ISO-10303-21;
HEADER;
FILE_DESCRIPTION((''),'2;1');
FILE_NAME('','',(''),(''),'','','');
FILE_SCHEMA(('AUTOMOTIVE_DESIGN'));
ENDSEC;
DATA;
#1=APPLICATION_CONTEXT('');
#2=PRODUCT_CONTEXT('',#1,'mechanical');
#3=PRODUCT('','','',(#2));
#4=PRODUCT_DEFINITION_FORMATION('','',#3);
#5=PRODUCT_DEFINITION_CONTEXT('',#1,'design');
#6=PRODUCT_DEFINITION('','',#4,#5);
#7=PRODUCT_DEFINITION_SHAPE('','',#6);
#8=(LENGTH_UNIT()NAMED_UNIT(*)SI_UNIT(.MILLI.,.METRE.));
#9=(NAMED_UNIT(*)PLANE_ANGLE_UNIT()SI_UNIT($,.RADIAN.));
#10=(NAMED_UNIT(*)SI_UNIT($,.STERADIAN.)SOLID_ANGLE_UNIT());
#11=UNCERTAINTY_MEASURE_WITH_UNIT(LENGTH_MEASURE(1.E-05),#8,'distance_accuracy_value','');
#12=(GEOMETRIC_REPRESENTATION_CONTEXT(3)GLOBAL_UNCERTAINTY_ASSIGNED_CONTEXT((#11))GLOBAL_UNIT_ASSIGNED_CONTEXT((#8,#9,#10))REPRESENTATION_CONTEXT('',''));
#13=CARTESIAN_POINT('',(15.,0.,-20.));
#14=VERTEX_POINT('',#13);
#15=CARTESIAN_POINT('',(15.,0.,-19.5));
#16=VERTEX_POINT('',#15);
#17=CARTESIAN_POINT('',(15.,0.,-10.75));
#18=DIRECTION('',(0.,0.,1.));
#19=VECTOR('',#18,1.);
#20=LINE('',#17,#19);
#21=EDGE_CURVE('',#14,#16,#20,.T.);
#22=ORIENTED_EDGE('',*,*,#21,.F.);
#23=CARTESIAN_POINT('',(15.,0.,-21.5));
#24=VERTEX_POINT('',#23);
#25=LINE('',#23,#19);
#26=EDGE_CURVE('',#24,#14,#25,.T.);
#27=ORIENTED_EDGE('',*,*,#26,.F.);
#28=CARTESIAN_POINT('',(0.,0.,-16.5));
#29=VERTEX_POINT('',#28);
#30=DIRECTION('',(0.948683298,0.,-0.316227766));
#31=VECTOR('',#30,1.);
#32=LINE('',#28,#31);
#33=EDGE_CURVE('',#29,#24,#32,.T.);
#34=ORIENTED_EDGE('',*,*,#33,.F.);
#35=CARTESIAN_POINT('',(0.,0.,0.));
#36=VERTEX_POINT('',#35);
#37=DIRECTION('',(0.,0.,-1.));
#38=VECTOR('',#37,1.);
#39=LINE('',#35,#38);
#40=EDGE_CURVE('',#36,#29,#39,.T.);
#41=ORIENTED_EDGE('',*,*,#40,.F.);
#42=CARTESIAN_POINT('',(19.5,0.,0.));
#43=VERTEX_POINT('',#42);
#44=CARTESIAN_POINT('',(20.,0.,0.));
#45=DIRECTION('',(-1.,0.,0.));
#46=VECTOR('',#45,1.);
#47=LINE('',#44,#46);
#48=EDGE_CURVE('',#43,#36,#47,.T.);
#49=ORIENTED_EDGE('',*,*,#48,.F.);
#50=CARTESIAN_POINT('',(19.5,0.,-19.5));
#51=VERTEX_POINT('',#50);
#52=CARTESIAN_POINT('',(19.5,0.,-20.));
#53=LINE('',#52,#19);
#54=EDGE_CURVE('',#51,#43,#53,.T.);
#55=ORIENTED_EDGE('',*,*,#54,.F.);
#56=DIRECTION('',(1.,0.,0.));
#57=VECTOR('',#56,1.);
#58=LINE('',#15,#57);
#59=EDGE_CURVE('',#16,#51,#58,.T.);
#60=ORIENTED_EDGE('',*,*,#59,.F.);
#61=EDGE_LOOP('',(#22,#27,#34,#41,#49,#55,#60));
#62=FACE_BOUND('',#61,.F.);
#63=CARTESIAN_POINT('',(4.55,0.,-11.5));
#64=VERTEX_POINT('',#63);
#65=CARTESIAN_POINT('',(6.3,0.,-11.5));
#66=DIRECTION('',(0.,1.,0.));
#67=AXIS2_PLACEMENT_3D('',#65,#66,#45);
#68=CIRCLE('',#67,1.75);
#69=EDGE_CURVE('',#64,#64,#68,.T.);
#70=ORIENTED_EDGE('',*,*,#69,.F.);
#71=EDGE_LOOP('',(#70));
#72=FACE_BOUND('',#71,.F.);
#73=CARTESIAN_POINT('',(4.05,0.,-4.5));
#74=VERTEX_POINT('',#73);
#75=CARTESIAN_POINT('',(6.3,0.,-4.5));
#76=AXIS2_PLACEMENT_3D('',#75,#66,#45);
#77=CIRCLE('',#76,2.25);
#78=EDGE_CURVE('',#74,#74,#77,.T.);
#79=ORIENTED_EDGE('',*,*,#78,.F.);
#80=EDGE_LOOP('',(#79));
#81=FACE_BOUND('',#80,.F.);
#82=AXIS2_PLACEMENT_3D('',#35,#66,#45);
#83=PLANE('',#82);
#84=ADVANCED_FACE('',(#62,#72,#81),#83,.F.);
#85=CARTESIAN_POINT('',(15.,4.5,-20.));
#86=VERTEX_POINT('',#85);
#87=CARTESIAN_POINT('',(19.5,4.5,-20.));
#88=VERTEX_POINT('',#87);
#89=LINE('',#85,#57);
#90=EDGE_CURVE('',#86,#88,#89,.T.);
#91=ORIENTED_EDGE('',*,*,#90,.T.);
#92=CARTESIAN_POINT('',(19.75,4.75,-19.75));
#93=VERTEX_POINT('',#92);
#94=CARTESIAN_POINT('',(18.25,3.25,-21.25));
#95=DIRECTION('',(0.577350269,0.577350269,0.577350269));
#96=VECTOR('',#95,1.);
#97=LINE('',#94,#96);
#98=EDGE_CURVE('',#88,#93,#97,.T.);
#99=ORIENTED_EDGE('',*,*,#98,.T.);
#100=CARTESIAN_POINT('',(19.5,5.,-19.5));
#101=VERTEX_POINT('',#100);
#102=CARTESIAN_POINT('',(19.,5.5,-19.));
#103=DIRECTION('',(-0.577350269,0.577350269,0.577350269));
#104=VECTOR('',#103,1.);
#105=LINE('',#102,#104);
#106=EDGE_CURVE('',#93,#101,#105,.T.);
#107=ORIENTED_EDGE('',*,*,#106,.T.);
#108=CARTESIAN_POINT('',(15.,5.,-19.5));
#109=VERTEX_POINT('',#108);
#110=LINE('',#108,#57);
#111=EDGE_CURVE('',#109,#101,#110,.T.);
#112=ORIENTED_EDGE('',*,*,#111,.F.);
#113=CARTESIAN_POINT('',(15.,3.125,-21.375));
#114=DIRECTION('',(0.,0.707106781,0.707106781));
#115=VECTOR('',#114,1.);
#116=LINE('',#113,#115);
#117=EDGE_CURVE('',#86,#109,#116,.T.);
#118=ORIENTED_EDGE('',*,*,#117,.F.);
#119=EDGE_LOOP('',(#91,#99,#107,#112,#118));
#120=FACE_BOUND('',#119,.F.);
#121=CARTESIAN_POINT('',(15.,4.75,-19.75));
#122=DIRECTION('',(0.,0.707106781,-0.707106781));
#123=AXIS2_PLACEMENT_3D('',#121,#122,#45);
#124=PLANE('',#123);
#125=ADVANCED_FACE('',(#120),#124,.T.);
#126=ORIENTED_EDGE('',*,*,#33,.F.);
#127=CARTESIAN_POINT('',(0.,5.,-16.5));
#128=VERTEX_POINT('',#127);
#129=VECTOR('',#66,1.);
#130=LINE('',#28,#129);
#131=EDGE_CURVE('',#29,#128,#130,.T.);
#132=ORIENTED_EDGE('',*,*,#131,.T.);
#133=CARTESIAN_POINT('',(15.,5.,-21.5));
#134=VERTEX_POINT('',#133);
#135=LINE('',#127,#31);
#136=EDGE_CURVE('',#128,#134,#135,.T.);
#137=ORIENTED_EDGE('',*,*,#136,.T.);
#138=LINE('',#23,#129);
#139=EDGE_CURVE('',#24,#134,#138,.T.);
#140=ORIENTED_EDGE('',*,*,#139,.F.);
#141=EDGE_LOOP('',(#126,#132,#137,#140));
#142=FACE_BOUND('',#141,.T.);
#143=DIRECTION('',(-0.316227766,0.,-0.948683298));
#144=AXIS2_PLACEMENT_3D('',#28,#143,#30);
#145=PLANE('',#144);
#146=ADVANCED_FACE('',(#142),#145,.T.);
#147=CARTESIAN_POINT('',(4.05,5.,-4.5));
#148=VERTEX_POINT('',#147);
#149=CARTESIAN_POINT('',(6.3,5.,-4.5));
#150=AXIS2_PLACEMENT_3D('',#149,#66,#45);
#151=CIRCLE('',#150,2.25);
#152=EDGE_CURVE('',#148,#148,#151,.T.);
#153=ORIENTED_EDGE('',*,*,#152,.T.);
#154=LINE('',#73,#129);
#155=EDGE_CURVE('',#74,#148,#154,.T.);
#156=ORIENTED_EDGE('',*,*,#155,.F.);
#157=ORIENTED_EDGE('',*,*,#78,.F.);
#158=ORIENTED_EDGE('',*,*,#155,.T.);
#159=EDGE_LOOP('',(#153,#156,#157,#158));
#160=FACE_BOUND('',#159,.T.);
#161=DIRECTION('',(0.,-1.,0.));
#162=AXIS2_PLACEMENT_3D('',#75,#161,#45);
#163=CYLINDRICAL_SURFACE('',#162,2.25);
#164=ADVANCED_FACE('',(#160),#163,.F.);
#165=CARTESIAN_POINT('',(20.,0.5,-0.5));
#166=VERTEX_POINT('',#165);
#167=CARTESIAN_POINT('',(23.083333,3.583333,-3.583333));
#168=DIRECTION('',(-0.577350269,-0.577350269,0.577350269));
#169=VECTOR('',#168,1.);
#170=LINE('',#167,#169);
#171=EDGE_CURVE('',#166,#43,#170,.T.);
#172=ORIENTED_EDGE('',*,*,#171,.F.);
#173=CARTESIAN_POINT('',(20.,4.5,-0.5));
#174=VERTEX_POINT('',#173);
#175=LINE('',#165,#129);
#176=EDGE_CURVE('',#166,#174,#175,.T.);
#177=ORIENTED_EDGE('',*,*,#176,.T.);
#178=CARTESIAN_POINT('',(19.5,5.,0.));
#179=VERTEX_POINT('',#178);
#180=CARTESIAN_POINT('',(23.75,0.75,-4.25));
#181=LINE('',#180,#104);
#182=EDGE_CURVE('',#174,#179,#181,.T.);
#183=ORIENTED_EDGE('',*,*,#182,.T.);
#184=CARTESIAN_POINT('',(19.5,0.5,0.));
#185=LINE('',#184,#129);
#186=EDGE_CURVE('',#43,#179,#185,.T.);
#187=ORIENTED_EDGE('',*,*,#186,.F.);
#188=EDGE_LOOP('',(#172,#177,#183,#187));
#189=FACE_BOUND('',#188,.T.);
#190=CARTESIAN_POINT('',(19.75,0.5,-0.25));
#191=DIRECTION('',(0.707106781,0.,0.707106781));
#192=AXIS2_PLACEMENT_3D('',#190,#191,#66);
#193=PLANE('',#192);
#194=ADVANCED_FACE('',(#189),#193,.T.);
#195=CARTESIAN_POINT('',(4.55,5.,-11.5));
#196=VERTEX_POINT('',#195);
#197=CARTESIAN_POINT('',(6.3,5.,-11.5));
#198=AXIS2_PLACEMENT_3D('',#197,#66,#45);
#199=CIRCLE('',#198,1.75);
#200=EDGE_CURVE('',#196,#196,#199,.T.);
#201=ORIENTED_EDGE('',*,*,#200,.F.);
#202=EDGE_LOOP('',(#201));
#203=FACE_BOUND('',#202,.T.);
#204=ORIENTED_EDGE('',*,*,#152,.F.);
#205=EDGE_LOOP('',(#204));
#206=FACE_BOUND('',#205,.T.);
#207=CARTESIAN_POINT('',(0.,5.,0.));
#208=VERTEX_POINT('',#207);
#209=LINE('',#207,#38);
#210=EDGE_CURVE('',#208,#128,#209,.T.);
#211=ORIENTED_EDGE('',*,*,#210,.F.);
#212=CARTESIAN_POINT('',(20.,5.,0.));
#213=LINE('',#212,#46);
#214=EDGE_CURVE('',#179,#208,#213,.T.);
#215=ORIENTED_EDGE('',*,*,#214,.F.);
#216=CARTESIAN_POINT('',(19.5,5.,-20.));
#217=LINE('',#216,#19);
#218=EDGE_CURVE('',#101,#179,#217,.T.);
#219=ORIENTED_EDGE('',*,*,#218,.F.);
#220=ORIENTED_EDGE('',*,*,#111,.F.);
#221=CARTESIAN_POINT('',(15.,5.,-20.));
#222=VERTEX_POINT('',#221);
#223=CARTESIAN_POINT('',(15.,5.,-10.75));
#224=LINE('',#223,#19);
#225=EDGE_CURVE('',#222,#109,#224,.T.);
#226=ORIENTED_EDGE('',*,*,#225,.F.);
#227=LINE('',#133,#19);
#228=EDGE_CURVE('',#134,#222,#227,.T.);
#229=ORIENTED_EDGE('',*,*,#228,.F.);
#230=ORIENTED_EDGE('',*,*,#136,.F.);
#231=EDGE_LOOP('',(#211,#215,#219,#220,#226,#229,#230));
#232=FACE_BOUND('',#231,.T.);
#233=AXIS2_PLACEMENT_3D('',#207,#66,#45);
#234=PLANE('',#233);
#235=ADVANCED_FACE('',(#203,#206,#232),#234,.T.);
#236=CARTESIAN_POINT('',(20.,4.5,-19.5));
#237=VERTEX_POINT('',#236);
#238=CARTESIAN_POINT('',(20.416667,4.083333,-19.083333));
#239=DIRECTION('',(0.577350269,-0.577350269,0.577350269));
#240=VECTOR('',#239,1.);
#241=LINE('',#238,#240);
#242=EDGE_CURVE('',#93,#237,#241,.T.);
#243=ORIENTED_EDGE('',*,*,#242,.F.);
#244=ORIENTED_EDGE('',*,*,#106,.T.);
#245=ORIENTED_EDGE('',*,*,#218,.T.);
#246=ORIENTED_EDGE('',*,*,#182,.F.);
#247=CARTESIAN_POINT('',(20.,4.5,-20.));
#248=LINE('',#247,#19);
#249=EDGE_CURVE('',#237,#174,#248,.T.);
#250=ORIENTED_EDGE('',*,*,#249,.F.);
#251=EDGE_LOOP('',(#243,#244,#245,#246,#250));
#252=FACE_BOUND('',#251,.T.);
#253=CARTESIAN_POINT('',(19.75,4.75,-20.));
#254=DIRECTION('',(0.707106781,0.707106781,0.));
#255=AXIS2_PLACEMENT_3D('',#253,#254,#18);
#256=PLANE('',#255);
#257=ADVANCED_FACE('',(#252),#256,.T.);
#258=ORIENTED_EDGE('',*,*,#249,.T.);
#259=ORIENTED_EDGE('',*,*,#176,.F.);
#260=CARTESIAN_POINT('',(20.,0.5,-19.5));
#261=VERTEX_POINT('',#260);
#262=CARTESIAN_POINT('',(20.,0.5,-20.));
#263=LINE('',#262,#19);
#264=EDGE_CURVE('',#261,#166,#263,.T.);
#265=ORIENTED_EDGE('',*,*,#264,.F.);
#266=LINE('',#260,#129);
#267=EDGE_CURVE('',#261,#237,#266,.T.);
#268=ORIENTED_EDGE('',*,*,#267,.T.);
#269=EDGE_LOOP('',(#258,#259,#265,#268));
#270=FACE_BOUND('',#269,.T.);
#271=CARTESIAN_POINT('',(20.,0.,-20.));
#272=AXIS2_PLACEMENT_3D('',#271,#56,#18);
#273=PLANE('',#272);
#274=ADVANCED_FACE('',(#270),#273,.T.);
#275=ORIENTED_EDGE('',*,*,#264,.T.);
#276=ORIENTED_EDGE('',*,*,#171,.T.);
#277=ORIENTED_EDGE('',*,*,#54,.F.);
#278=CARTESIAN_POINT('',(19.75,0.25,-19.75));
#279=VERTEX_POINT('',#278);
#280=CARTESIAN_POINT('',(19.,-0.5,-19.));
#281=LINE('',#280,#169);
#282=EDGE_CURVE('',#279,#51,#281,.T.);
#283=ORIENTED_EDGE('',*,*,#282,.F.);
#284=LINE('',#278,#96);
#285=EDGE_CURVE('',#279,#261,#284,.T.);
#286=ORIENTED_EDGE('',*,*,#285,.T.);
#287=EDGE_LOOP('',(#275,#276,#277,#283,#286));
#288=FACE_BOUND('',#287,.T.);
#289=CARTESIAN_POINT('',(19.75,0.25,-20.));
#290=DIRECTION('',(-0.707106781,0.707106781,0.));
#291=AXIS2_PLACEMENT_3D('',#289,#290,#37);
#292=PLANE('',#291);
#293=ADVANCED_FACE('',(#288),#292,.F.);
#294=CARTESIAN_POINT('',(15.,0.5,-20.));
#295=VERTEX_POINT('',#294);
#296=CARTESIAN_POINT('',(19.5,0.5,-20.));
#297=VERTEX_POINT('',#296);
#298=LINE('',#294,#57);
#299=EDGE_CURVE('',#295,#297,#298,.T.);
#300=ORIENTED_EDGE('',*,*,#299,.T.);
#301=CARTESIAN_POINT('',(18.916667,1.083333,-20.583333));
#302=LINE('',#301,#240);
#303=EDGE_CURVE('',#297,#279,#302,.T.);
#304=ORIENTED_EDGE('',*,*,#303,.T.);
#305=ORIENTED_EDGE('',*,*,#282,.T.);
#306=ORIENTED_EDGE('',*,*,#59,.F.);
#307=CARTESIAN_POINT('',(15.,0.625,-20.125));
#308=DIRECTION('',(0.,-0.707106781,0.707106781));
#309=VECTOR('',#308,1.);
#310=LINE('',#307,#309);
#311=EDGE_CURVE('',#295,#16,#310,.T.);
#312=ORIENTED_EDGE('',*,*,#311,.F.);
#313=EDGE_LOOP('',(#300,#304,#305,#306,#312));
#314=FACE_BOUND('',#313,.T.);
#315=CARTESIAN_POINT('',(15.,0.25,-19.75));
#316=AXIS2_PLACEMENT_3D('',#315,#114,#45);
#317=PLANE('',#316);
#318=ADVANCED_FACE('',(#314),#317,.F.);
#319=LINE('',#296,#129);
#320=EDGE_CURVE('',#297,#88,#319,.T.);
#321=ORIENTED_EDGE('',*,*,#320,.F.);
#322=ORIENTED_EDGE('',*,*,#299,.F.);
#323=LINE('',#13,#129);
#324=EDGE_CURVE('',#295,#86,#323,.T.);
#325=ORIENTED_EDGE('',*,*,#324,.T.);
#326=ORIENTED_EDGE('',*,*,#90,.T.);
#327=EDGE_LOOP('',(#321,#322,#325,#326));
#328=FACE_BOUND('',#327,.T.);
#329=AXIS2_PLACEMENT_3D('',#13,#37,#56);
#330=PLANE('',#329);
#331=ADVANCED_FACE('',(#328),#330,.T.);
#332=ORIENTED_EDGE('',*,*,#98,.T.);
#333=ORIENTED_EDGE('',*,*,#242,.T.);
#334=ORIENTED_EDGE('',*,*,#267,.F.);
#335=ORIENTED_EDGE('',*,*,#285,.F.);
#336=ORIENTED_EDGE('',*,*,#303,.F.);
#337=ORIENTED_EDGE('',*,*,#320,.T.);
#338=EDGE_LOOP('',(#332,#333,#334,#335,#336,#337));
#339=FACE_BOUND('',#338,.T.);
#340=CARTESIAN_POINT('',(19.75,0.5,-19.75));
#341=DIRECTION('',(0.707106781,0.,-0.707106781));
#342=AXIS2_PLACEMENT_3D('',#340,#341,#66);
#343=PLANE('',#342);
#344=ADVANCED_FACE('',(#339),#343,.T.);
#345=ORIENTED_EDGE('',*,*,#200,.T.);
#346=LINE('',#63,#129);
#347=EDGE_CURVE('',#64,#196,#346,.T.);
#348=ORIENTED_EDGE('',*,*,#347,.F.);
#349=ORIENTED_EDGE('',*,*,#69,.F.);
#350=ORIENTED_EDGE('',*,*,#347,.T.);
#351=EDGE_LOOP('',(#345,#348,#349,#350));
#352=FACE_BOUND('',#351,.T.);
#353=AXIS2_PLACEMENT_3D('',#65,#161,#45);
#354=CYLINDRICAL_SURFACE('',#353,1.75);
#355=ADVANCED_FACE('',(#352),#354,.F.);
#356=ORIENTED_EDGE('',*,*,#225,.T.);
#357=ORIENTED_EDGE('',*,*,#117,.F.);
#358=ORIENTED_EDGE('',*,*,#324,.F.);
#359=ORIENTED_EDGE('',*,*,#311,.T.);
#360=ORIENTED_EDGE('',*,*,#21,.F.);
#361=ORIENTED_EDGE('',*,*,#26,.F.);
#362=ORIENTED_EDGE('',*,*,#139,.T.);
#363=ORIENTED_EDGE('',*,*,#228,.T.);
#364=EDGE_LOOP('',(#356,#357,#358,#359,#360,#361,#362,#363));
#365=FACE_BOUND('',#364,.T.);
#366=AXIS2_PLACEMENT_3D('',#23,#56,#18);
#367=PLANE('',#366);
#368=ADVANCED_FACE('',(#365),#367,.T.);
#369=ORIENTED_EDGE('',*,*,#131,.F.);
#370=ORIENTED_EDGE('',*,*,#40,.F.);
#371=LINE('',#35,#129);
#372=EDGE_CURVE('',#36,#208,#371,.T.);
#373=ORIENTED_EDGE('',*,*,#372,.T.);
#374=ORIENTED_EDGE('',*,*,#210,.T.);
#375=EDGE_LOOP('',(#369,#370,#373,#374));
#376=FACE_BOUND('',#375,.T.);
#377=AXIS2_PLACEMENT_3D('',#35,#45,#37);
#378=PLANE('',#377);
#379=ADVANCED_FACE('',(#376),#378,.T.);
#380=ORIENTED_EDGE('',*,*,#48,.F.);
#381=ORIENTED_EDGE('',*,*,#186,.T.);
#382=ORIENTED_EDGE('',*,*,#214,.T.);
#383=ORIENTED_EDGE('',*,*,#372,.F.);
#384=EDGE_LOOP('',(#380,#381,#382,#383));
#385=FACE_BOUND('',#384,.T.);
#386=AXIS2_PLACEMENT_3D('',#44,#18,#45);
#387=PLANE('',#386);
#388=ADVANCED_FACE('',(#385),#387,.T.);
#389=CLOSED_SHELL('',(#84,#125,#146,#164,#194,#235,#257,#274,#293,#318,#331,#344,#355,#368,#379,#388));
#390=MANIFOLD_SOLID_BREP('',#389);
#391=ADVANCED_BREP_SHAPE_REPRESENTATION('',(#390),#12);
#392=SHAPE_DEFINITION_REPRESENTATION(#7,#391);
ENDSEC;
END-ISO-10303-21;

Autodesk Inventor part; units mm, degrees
ref_plane "YZ Plane" through (0, 0, 0) normal (1, 0, 0) x (0, 1, 0)
ref_plane "XZ Plane" through (0, 0, 0) normal (0, 1, 0) x (-1, 0, 0)
ref_plane "XY Plane" through (0, 0, 0) normal (0, 0, 1) x (1, 0, 0)
sketch "Sketch1" plane through (0, 0, 0) normal (0, 1, 0) x (-1, 0, 0)
  line L0 (0, 0) -> (0, -16.5)
  line L1 (0, -16.5) -> (-15, -21.5)
  line L2 (-15, -21.5) -> (-15, -20)
  line L3 (-15, -20) -> (-20, -20)
  line L4 (-20, -20) -> (-20, 0)
  line L5 (-20, 0) -> (0, 0)
  circle A0 centre (-6.3, -4.5) radius 2.25
  circle A1 centre (-6.3, -11.5) radius 1.75
  point P0 (-15, -20.75)
  dimension "d0" = 16.5
  dimension "d1" = 20
  dimension "d2" = 20
  dimension "d3" = 21.5
  dimension "d4" = 5
  dimension "d5" = 4.5
  dimension "d6" = 11.5
  dimension "d7" = 4.5
  dimension "d8" = 3.5
  dimension "d9" = 13.7
  dimension "d10" = 13.7
extrude "Extrusion1" add sketch "Sketch1" along normal blind 5
chamfer "Chamfer1" distance 0.5 angle 45 2 edges at (17.5, 0, -20) (20, 0, -10) measured on face at (15.9997, 0, -10.3604)
chamfer "Chamfer2" distance 0.5 angle 45 2 edges at (17.5, 5, -20) (20, 5, -10) measured on face at (15.9997, 5, -10.3604)
chamfer "Chamfer3" distance 0.5 angle 45 2 edges at (20, 2.5, -20) (20, 2.5, 0) measured on face at (20, 3.1667, -13.3333)
properties part number "21-30-220-B3"
